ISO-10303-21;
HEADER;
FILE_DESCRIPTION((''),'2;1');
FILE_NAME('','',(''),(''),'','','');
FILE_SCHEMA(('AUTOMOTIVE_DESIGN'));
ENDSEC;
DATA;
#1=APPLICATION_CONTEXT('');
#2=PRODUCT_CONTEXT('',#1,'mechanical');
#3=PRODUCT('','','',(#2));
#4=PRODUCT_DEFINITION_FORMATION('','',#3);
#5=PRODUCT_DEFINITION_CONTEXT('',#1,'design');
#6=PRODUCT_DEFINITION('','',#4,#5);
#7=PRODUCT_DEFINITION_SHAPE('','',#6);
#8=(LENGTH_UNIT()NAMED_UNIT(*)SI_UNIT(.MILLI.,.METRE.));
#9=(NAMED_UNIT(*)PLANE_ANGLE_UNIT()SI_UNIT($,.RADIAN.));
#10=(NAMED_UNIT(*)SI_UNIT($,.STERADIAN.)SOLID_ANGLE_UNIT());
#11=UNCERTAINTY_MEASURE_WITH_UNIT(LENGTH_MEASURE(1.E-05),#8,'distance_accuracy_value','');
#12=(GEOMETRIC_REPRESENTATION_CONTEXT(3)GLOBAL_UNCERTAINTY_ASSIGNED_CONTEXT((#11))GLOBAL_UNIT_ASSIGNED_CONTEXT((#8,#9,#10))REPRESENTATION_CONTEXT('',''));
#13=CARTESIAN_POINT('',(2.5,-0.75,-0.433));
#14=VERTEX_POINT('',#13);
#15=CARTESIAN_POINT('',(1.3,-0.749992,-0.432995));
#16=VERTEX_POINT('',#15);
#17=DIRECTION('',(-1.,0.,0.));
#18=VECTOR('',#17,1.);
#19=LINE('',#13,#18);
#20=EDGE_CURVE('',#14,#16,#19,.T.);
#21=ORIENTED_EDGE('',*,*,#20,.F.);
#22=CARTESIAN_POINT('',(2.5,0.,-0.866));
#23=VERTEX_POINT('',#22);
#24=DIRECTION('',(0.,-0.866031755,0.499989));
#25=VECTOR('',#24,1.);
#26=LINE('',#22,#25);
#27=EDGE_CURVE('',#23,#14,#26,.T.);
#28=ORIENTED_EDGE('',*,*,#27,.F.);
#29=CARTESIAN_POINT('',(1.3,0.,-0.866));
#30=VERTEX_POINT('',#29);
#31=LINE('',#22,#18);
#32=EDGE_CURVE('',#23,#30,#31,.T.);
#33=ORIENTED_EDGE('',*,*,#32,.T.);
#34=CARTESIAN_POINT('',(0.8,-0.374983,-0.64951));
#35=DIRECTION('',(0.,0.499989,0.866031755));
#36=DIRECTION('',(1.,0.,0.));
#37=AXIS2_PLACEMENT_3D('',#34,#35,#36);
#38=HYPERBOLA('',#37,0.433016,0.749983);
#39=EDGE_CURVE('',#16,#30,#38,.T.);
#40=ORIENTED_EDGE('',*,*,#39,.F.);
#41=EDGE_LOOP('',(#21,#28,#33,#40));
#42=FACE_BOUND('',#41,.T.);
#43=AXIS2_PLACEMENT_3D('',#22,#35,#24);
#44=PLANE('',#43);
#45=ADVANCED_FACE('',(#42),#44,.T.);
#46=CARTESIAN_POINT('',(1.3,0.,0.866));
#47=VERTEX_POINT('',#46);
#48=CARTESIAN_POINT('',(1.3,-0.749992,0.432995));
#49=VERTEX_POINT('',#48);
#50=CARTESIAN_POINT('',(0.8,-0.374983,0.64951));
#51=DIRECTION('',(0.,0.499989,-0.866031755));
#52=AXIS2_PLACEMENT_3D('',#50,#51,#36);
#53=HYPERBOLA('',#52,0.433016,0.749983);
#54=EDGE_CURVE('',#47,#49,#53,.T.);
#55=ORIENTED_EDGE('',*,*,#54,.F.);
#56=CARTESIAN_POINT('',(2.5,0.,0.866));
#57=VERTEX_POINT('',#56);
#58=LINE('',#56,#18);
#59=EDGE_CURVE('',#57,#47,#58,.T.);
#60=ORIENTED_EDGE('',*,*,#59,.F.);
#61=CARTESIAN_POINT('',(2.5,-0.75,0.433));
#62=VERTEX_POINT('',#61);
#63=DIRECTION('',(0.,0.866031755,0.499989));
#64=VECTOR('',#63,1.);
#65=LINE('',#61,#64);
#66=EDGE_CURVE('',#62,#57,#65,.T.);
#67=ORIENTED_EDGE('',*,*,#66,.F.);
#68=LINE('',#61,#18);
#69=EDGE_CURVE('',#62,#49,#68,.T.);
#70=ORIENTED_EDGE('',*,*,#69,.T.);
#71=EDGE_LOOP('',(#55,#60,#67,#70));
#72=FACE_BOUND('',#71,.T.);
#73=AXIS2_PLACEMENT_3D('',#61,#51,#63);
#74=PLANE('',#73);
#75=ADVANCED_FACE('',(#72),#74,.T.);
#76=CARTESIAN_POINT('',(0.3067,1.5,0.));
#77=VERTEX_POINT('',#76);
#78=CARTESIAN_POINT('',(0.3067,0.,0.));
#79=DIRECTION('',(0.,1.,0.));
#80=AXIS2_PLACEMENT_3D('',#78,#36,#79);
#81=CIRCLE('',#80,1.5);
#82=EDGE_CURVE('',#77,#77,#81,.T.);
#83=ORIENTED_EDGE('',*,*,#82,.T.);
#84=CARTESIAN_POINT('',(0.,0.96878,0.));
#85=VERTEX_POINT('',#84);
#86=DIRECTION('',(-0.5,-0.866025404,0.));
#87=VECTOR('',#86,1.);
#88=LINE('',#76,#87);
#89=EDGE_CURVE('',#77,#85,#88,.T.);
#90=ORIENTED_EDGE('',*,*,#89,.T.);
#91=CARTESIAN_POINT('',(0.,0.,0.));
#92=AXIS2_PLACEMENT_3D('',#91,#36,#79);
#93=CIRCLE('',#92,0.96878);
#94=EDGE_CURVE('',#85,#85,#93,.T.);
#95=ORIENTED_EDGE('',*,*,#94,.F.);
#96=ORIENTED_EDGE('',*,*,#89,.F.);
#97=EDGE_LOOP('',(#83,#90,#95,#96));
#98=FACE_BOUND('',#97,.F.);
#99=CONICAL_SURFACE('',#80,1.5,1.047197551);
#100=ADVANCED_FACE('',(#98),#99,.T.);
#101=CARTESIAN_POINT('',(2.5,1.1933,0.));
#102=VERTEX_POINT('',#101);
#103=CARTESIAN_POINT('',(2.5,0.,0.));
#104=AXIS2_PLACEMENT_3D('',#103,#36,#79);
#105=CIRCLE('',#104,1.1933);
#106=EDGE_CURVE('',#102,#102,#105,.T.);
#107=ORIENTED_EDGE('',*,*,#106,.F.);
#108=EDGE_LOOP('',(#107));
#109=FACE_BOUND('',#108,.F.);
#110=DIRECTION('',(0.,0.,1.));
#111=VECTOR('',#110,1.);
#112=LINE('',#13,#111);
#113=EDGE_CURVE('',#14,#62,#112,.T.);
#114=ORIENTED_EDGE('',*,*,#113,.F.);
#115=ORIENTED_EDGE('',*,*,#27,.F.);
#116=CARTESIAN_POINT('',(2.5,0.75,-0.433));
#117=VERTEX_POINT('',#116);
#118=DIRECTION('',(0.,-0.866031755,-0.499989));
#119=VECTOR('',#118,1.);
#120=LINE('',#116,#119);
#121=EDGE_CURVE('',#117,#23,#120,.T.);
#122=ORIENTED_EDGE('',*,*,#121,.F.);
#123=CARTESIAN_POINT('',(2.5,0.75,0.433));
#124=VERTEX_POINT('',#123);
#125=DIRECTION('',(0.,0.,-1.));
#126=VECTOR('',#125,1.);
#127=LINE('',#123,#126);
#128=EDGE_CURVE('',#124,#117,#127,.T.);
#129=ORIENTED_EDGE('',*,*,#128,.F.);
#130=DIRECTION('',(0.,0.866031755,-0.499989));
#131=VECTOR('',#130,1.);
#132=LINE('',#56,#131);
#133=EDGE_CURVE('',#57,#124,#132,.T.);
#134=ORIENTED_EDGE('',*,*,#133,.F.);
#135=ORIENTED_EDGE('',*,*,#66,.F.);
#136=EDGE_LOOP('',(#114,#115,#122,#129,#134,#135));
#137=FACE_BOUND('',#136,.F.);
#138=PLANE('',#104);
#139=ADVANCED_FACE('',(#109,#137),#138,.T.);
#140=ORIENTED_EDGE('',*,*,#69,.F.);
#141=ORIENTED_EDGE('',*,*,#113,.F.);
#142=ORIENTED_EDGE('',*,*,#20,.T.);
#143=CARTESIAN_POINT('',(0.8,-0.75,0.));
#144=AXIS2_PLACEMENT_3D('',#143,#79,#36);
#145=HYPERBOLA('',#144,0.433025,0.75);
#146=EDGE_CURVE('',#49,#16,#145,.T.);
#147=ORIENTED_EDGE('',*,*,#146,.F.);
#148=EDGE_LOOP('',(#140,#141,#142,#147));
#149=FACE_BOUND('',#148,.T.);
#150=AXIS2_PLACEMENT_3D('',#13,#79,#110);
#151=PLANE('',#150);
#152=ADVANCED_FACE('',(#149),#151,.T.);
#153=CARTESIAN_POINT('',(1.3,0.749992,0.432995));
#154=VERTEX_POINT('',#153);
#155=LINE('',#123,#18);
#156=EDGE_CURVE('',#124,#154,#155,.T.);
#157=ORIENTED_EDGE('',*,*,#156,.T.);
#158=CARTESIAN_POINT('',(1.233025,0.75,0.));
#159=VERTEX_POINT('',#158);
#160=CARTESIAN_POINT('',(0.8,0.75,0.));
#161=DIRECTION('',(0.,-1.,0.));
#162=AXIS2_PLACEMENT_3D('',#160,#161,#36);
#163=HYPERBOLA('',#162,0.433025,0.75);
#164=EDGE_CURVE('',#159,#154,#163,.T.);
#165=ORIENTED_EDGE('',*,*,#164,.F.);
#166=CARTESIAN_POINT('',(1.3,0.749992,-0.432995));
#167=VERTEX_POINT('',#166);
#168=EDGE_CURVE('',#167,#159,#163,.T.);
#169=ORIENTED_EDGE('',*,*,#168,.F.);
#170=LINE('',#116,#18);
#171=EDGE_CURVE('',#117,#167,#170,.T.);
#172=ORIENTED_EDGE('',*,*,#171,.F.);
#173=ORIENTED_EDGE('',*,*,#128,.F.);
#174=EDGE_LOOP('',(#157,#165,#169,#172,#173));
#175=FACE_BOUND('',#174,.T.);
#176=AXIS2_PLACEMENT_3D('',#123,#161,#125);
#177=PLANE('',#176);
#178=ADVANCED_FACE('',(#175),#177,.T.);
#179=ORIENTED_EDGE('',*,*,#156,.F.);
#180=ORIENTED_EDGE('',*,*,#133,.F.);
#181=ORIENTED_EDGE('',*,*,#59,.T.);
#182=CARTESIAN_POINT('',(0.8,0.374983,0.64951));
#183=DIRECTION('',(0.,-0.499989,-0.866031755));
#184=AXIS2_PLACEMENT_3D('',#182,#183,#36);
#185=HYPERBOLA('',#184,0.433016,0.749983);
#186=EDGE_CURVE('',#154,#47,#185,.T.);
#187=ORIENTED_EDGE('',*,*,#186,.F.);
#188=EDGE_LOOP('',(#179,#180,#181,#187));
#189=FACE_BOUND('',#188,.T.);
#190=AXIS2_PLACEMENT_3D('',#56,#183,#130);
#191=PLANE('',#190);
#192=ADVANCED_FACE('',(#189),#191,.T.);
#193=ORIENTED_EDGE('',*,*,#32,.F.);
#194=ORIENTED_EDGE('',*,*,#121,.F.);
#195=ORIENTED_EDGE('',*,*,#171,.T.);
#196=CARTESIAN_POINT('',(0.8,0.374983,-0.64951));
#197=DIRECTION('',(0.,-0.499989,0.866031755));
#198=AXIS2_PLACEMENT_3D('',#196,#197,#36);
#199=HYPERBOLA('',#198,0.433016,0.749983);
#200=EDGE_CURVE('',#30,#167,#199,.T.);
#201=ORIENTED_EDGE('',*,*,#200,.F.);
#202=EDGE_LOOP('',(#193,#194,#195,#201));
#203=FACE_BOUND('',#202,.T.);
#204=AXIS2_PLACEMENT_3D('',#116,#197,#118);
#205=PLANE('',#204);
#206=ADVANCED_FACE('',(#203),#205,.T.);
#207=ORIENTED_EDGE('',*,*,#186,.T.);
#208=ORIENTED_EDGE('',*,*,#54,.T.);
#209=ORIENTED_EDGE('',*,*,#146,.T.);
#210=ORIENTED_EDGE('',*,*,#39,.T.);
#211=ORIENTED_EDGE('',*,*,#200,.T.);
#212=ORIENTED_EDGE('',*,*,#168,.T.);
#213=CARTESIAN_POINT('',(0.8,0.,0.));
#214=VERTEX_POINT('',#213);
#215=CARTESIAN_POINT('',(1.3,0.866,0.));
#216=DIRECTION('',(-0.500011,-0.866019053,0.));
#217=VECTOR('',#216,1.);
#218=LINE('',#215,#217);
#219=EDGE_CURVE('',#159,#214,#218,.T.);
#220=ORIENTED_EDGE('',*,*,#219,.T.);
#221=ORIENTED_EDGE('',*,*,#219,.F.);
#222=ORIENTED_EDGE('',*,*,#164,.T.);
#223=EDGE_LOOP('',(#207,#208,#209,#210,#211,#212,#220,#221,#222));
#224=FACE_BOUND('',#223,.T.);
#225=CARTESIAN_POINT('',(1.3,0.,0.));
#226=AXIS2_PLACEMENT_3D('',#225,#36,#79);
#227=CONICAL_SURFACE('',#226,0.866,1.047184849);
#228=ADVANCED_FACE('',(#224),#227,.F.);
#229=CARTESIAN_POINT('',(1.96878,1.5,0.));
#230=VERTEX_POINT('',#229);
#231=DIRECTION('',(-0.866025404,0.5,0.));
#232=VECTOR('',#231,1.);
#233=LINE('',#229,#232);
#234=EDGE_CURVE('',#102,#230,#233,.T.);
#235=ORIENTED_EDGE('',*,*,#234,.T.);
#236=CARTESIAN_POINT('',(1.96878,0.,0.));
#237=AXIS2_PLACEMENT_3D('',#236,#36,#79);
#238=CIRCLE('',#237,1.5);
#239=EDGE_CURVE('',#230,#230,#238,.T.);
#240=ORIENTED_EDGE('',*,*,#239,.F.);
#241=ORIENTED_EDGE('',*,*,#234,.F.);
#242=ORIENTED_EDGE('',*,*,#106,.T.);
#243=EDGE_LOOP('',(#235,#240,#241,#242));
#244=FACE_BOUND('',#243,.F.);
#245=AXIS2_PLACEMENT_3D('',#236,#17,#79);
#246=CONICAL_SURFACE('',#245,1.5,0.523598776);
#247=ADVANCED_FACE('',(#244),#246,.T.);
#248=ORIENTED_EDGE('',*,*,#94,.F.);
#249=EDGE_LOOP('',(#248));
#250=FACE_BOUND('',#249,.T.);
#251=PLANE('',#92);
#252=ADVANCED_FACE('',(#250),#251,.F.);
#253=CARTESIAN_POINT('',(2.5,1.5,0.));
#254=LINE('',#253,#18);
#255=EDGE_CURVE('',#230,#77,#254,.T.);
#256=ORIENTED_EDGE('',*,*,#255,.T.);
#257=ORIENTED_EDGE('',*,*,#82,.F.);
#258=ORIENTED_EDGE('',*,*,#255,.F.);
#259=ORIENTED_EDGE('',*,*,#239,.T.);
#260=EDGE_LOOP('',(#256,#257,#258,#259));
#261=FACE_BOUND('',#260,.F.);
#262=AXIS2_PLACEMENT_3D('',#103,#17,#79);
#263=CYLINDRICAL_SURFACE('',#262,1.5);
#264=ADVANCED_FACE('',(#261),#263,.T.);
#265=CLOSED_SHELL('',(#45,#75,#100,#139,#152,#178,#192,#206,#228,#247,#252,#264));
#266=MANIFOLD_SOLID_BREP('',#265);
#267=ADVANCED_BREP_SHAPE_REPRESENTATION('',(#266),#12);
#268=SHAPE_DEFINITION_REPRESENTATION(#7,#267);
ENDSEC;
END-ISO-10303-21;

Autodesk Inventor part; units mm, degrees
ref_plane "YZ Plane" through (0, 0, 0) normal (1, 0, 0) x (0, 1, 0)
ref_plane "XZ Plane" through (0, 0, 0) normal (0, 1, 0) x (-1, 0, 0)
sketch "Skizze1" plane through (0, 0, 0) normal (0, 0, 1) x (1, 0, 0)
  line L0 (0, 0) -> (0.8, 0)
  line L1 (2.5, 0.866) -> (2.5, 1.5)
  line L2 (2.5, 1.5) -> (0, 1.5)
  line L3 (2.5, 0.866) -> (1.3, 0.866)
  line L4 (1.3, 0.866) -> (0.8, 0)
  line L5 (0, -0.3) -> (0, 1.8) projected
  line L6 (0, 1.5) -> (0, 0)
  dimension "d0" = 1.2
  dimension "d1" = 60
  dimension "d2" = 3
  dimension "d3" = 1.7321
  dimension "d5" = 2.5
revolve "Körper" add sketch "Skizze1" angle 360 about axis through (0, 0, 0) along (1, 0, 0)
chamfer "Fase1" distance 0.3067 angle 60 1 edges at (2.5, -1.5, 0) measured on face at (2.5, 1.2658, -0.1887)
sketch "Skizze2" plane through (2.5, 0, 0) normal (1, 0, 0) x (0, 0, -1)
  circle A0 centre (0, 0) radius 0.866 projected
  line L0 (-0.433, 0.75) -> (0.433, 0.75)
  line L1 (0.433, 0.75) -> (0.866, 0)
  line L2 (0.866, 0) -> (0.433, -0.75)
  line L3 (0.433, -0.75) -> (-0.433, -0.75)
  line L4 (-0.433, -0.75) -> (-0.866, 0)
  line L5 (-0.866, 0) -> (-0.433, 0.75)
  point P0 (0, 0)
  point P1 (0, 0)
extrude "Loch" add sketch "Skizze2" against normal up to next contours L1 A0 | A0 L2 | L0 A0 | A0 L3 | L5 A0 | A0 L4
thread "Gewinde" size "M3x0.5" class "6g" standard "ISO Metric profile" length 2.5
chamfer "Fase2" distance 0.3067 angle 60 1 edges at (0, -1.5, 0) measured on face at (0.6562, 1.4951, -0.1207)
ref_plane "Work Plane1" through (1.25, 0, 0) normal (0, 0.5, 0.866) x (1, 0, 0)
equation "\"d0\" = INTI"
equation "\"d2\" = NND"
equation "\"d3\" = 1.1547 * SW"
equation "\"d5\" = NLG"
equation "\"d7\" = -0.5 * GD1 + 0.5 * NND"
equation "\"d8\" = FAWI"
equation "\"d29\" = -0.5 * GD1 + 0.5 * NND"
equation "\"d11\" = NLG"
equation "\"d13\" = -0.5 * GD1 + 0.5 * NND"
equation "\"d14\" = FAWI"
equation "\"d30\" = -0.5 * GD1 + 0.5 * NND"
equation "\"NND\" = 3"
equation "\"NLG\" = 2.5"
equation "\"INTI\" = 1.2"
equation "\"FAWI\" = 60deg"
equation "\"SW\" = 1.5"
equation "\"GD1\" = THREADDIA - 1.2269 * PTC"
equation "\"FAWI1\" = 45deg"
equation "\"GUL\" = 0.61345 * PTC"
equation "\"SPD\" = 2"
equation "\"TOA\" = 30deg"
equation "\"THREADDIA\" = 3"
equation "\"PTC\" = 0.5"
equation "\"GAL\" = 0.61345 * PTC"
equation "\"E0\" = 1.155 * SW"
properties part number "BS 4168 - M3 x 2,5" material "Steel, Mild"
